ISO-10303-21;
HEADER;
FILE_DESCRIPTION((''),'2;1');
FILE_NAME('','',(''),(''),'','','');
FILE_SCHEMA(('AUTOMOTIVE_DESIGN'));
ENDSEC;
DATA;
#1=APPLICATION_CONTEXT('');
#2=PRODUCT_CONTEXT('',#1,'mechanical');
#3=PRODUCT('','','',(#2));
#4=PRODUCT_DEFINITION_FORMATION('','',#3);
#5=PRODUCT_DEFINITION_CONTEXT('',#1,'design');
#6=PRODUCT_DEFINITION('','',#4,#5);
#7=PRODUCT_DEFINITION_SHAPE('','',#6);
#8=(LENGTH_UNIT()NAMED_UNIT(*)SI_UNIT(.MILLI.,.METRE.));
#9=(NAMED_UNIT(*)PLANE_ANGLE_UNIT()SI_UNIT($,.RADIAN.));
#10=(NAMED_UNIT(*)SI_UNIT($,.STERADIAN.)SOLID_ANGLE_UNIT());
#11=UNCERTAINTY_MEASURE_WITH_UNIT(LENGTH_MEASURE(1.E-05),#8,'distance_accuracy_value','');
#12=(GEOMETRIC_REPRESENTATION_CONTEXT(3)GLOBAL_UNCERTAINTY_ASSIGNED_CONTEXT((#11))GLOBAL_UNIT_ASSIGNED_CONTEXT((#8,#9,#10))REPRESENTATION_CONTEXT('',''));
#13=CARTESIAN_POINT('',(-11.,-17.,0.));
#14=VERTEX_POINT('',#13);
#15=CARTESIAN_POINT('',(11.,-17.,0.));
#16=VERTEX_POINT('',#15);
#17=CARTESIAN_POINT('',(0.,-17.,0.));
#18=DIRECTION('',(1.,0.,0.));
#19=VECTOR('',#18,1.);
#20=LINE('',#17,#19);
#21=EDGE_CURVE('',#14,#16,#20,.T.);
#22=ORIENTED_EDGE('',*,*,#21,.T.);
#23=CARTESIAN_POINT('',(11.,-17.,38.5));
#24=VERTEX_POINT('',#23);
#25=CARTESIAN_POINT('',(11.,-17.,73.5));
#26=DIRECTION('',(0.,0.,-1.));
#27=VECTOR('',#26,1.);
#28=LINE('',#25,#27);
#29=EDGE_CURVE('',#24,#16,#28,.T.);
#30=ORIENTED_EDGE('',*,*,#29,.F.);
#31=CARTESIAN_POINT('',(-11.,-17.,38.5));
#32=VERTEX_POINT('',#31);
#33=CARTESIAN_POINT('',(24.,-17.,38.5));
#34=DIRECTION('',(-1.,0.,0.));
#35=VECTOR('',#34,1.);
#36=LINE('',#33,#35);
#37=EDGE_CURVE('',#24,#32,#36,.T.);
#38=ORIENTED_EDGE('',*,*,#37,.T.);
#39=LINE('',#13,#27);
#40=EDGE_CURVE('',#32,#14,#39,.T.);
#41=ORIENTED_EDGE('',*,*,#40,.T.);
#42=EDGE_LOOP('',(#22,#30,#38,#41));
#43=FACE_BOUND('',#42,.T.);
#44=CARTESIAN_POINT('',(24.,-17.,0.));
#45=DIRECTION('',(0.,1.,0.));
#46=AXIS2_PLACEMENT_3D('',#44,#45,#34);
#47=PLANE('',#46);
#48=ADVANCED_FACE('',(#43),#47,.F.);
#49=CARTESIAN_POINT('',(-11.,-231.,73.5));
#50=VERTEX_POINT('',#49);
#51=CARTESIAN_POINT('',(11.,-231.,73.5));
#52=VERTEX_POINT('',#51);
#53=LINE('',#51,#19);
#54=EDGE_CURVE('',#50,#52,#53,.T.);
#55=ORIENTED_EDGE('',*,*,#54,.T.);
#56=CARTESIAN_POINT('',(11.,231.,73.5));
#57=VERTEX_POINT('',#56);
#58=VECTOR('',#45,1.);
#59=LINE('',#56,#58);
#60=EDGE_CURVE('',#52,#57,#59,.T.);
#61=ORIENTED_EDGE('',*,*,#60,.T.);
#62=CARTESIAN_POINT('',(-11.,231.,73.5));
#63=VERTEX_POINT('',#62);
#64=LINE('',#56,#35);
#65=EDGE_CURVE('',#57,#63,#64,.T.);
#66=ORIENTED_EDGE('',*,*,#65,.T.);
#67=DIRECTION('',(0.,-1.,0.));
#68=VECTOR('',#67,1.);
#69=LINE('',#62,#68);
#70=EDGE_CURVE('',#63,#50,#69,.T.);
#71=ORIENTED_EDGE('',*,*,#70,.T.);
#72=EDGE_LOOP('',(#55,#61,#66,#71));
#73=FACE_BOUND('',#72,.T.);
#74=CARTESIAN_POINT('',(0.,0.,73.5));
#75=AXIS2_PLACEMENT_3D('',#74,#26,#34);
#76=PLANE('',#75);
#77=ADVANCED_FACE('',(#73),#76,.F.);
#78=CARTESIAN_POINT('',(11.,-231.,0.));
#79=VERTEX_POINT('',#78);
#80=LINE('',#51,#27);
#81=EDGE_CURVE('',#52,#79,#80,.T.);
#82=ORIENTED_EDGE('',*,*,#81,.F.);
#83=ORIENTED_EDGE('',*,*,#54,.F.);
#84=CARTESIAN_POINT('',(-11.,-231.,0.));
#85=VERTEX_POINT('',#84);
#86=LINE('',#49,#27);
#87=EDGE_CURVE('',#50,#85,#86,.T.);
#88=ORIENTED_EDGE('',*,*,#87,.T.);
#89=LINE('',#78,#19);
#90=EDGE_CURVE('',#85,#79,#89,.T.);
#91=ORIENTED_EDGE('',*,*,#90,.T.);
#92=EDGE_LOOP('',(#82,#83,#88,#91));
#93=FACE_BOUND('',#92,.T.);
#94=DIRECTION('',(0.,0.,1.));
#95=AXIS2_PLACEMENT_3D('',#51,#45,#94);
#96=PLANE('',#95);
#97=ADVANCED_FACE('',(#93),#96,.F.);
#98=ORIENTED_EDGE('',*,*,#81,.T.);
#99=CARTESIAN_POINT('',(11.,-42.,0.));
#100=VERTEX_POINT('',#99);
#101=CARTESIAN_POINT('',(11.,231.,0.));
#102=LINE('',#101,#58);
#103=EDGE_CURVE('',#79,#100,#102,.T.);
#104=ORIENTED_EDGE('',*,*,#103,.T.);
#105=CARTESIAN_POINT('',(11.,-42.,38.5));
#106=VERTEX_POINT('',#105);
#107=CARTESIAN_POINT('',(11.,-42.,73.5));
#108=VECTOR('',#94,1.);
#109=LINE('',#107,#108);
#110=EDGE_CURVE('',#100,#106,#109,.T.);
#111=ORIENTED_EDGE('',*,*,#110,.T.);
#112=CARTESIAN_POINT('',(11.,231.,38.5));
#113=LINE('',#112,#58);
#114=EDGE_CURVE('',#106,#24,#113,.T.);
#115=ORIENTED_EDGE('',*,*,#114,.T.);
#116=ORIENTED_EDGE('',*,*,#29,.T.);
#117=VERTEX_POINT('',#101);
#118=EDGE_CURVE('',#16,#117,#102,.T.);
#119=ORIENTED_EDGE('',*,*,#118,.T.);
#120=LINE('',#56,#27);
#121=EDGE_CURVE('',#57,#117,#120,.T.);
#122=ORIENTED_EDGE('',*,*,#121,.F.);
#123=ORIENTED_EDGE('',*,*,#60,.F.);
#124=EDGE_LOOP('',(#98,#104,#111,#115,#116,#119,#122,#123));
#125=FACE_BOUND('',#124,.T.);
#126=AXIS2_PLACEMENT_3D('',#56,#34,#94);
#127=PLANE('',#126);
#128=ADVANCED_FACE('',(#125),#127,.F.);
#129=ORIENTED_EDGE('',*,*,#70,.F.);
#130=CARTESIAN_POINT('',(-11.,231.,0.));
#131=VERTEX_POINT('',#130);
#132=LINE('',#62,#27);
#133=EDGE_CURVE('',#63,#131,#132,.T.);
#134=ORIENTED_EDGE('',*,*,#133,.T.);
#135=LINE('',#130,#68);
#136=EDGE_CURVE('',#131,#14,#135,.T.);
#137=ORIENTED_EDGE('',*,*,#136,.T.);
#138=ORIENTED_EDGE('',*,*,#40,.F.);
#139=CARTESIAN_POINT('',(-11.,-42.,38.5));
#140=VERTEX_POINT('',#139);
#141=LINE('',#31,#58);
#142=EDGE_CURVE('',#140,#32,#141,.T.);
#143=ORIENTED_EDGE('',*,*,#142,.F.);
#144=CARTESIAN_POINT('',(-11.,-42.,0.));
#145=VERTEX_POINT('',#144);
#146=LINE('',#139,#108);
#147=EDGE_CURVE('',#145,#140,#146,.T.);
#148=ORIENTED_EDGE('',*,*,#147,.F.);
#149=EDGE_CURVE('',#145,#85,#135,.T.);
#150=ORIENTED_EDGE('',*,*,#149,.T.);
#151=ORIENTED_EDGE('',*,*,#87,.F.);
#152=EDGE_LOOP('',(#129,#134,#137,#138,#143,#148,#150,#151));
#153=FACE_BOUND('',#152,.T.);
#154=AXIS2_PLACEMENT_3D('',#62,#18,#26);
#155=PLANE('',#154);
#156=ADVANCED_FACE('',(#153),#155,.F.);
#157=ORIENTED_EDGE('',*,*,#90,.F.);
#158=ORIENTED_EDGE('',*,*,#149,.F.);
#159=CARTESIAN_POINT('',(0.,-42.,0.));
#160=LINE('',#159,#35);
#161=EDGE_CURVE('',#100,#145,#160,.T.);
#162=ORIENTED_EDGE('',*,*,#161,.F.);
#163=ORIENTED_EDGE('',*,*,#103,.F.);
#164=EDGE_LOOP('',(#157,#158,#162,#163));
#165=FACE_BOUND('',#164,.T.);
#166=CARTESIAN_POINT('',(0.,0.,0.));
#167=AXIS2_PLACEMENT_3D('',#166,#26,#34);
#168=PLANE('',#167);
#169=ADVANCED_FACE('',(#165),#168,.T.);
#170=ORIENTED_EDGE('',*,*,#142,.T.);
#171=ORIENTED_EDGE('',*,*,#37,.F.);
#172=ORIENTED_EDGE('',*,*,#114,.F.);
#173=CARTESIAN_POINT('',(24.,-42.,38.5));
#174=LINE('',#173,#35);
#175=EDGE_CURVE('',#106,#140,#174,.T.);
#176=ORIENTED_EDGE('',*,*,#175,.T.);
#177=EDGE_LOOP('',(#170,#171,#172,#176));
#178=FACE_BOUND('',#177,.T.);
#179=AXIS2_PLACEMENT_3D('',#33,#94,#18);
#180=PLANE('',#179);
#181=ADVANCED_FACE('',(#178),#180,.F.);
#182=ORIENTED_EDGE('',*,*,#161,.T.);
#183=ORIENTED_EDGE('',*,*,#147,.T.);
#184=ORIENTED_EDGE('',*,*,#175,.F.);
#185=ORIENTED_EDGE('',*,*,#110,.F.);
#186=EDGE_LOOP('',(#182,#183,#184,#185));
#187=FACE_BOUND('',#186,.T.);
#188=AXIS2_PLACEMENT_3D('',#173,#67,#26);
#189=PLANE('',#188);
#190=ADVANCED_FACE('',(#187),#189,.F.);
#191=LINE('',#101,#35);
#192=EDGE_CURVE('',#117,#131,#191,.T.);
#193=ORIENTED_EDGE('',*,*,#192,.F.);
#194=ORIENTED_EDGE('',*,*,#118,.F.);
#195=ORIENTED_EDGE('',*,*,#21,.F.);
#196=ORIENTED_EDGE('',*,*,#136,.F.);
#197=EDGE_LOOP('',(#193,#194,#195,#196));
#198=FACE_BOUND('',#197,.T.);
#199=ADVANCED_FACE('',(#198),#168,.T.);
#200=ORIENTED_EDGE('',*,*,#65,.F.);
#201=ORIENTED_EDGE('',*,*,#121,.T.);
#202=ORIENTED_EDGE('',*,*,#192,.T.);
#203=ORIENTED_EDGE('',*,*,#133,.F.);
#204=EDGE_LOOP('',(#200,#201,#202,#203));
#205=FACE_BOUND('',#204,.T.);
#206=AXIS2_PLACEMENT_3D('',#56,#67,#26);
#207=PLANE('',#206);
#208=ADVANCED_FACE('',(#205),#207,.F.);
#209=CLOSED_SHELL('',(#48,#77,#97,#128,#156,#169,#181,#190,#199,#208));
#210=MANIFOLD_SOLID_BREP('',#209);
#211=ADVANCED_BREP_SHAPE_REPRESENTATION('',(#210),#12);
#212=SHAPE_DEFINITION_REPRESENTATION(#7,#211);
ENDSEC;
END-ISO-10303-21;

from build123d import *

# Parameters (mm, degrees)
ESQUISSE1_W             = 22
ESQUISSE1_H             = 462
BOSS_EXTRU_1_DEPTH      = 73.5
ESQUISSE2_W             = 38.5
ESQUISSE2_H             = 25
ENL_V_MAT_EXTRU_1_DEPTH = 35


with BuildPart() as part:
    # Esquisse1 → Boss.-Extru.1 (new body)
    with BuildSketch(Plane.XY):
        Rectangle(ESQUISSE1_W, ESQUISSE1_H)
    extrude(amount=BOSS_EXTRU_1_DEPTH)

    # Esquisse2 → Enlèv. mat.-Extru.1 (cut)
    with BuildSketch(Plane.ZY.offset(11)):
        with Locations((19.25, -29.5)):
            Rectangle(ESQUISSE2_W, ESQUISSE2_H)
    extrude(amount=-ENL_V_MAT_EXTRU_1_DEPTH, mode=Mode.SUBTRACT)


solid = part.part
